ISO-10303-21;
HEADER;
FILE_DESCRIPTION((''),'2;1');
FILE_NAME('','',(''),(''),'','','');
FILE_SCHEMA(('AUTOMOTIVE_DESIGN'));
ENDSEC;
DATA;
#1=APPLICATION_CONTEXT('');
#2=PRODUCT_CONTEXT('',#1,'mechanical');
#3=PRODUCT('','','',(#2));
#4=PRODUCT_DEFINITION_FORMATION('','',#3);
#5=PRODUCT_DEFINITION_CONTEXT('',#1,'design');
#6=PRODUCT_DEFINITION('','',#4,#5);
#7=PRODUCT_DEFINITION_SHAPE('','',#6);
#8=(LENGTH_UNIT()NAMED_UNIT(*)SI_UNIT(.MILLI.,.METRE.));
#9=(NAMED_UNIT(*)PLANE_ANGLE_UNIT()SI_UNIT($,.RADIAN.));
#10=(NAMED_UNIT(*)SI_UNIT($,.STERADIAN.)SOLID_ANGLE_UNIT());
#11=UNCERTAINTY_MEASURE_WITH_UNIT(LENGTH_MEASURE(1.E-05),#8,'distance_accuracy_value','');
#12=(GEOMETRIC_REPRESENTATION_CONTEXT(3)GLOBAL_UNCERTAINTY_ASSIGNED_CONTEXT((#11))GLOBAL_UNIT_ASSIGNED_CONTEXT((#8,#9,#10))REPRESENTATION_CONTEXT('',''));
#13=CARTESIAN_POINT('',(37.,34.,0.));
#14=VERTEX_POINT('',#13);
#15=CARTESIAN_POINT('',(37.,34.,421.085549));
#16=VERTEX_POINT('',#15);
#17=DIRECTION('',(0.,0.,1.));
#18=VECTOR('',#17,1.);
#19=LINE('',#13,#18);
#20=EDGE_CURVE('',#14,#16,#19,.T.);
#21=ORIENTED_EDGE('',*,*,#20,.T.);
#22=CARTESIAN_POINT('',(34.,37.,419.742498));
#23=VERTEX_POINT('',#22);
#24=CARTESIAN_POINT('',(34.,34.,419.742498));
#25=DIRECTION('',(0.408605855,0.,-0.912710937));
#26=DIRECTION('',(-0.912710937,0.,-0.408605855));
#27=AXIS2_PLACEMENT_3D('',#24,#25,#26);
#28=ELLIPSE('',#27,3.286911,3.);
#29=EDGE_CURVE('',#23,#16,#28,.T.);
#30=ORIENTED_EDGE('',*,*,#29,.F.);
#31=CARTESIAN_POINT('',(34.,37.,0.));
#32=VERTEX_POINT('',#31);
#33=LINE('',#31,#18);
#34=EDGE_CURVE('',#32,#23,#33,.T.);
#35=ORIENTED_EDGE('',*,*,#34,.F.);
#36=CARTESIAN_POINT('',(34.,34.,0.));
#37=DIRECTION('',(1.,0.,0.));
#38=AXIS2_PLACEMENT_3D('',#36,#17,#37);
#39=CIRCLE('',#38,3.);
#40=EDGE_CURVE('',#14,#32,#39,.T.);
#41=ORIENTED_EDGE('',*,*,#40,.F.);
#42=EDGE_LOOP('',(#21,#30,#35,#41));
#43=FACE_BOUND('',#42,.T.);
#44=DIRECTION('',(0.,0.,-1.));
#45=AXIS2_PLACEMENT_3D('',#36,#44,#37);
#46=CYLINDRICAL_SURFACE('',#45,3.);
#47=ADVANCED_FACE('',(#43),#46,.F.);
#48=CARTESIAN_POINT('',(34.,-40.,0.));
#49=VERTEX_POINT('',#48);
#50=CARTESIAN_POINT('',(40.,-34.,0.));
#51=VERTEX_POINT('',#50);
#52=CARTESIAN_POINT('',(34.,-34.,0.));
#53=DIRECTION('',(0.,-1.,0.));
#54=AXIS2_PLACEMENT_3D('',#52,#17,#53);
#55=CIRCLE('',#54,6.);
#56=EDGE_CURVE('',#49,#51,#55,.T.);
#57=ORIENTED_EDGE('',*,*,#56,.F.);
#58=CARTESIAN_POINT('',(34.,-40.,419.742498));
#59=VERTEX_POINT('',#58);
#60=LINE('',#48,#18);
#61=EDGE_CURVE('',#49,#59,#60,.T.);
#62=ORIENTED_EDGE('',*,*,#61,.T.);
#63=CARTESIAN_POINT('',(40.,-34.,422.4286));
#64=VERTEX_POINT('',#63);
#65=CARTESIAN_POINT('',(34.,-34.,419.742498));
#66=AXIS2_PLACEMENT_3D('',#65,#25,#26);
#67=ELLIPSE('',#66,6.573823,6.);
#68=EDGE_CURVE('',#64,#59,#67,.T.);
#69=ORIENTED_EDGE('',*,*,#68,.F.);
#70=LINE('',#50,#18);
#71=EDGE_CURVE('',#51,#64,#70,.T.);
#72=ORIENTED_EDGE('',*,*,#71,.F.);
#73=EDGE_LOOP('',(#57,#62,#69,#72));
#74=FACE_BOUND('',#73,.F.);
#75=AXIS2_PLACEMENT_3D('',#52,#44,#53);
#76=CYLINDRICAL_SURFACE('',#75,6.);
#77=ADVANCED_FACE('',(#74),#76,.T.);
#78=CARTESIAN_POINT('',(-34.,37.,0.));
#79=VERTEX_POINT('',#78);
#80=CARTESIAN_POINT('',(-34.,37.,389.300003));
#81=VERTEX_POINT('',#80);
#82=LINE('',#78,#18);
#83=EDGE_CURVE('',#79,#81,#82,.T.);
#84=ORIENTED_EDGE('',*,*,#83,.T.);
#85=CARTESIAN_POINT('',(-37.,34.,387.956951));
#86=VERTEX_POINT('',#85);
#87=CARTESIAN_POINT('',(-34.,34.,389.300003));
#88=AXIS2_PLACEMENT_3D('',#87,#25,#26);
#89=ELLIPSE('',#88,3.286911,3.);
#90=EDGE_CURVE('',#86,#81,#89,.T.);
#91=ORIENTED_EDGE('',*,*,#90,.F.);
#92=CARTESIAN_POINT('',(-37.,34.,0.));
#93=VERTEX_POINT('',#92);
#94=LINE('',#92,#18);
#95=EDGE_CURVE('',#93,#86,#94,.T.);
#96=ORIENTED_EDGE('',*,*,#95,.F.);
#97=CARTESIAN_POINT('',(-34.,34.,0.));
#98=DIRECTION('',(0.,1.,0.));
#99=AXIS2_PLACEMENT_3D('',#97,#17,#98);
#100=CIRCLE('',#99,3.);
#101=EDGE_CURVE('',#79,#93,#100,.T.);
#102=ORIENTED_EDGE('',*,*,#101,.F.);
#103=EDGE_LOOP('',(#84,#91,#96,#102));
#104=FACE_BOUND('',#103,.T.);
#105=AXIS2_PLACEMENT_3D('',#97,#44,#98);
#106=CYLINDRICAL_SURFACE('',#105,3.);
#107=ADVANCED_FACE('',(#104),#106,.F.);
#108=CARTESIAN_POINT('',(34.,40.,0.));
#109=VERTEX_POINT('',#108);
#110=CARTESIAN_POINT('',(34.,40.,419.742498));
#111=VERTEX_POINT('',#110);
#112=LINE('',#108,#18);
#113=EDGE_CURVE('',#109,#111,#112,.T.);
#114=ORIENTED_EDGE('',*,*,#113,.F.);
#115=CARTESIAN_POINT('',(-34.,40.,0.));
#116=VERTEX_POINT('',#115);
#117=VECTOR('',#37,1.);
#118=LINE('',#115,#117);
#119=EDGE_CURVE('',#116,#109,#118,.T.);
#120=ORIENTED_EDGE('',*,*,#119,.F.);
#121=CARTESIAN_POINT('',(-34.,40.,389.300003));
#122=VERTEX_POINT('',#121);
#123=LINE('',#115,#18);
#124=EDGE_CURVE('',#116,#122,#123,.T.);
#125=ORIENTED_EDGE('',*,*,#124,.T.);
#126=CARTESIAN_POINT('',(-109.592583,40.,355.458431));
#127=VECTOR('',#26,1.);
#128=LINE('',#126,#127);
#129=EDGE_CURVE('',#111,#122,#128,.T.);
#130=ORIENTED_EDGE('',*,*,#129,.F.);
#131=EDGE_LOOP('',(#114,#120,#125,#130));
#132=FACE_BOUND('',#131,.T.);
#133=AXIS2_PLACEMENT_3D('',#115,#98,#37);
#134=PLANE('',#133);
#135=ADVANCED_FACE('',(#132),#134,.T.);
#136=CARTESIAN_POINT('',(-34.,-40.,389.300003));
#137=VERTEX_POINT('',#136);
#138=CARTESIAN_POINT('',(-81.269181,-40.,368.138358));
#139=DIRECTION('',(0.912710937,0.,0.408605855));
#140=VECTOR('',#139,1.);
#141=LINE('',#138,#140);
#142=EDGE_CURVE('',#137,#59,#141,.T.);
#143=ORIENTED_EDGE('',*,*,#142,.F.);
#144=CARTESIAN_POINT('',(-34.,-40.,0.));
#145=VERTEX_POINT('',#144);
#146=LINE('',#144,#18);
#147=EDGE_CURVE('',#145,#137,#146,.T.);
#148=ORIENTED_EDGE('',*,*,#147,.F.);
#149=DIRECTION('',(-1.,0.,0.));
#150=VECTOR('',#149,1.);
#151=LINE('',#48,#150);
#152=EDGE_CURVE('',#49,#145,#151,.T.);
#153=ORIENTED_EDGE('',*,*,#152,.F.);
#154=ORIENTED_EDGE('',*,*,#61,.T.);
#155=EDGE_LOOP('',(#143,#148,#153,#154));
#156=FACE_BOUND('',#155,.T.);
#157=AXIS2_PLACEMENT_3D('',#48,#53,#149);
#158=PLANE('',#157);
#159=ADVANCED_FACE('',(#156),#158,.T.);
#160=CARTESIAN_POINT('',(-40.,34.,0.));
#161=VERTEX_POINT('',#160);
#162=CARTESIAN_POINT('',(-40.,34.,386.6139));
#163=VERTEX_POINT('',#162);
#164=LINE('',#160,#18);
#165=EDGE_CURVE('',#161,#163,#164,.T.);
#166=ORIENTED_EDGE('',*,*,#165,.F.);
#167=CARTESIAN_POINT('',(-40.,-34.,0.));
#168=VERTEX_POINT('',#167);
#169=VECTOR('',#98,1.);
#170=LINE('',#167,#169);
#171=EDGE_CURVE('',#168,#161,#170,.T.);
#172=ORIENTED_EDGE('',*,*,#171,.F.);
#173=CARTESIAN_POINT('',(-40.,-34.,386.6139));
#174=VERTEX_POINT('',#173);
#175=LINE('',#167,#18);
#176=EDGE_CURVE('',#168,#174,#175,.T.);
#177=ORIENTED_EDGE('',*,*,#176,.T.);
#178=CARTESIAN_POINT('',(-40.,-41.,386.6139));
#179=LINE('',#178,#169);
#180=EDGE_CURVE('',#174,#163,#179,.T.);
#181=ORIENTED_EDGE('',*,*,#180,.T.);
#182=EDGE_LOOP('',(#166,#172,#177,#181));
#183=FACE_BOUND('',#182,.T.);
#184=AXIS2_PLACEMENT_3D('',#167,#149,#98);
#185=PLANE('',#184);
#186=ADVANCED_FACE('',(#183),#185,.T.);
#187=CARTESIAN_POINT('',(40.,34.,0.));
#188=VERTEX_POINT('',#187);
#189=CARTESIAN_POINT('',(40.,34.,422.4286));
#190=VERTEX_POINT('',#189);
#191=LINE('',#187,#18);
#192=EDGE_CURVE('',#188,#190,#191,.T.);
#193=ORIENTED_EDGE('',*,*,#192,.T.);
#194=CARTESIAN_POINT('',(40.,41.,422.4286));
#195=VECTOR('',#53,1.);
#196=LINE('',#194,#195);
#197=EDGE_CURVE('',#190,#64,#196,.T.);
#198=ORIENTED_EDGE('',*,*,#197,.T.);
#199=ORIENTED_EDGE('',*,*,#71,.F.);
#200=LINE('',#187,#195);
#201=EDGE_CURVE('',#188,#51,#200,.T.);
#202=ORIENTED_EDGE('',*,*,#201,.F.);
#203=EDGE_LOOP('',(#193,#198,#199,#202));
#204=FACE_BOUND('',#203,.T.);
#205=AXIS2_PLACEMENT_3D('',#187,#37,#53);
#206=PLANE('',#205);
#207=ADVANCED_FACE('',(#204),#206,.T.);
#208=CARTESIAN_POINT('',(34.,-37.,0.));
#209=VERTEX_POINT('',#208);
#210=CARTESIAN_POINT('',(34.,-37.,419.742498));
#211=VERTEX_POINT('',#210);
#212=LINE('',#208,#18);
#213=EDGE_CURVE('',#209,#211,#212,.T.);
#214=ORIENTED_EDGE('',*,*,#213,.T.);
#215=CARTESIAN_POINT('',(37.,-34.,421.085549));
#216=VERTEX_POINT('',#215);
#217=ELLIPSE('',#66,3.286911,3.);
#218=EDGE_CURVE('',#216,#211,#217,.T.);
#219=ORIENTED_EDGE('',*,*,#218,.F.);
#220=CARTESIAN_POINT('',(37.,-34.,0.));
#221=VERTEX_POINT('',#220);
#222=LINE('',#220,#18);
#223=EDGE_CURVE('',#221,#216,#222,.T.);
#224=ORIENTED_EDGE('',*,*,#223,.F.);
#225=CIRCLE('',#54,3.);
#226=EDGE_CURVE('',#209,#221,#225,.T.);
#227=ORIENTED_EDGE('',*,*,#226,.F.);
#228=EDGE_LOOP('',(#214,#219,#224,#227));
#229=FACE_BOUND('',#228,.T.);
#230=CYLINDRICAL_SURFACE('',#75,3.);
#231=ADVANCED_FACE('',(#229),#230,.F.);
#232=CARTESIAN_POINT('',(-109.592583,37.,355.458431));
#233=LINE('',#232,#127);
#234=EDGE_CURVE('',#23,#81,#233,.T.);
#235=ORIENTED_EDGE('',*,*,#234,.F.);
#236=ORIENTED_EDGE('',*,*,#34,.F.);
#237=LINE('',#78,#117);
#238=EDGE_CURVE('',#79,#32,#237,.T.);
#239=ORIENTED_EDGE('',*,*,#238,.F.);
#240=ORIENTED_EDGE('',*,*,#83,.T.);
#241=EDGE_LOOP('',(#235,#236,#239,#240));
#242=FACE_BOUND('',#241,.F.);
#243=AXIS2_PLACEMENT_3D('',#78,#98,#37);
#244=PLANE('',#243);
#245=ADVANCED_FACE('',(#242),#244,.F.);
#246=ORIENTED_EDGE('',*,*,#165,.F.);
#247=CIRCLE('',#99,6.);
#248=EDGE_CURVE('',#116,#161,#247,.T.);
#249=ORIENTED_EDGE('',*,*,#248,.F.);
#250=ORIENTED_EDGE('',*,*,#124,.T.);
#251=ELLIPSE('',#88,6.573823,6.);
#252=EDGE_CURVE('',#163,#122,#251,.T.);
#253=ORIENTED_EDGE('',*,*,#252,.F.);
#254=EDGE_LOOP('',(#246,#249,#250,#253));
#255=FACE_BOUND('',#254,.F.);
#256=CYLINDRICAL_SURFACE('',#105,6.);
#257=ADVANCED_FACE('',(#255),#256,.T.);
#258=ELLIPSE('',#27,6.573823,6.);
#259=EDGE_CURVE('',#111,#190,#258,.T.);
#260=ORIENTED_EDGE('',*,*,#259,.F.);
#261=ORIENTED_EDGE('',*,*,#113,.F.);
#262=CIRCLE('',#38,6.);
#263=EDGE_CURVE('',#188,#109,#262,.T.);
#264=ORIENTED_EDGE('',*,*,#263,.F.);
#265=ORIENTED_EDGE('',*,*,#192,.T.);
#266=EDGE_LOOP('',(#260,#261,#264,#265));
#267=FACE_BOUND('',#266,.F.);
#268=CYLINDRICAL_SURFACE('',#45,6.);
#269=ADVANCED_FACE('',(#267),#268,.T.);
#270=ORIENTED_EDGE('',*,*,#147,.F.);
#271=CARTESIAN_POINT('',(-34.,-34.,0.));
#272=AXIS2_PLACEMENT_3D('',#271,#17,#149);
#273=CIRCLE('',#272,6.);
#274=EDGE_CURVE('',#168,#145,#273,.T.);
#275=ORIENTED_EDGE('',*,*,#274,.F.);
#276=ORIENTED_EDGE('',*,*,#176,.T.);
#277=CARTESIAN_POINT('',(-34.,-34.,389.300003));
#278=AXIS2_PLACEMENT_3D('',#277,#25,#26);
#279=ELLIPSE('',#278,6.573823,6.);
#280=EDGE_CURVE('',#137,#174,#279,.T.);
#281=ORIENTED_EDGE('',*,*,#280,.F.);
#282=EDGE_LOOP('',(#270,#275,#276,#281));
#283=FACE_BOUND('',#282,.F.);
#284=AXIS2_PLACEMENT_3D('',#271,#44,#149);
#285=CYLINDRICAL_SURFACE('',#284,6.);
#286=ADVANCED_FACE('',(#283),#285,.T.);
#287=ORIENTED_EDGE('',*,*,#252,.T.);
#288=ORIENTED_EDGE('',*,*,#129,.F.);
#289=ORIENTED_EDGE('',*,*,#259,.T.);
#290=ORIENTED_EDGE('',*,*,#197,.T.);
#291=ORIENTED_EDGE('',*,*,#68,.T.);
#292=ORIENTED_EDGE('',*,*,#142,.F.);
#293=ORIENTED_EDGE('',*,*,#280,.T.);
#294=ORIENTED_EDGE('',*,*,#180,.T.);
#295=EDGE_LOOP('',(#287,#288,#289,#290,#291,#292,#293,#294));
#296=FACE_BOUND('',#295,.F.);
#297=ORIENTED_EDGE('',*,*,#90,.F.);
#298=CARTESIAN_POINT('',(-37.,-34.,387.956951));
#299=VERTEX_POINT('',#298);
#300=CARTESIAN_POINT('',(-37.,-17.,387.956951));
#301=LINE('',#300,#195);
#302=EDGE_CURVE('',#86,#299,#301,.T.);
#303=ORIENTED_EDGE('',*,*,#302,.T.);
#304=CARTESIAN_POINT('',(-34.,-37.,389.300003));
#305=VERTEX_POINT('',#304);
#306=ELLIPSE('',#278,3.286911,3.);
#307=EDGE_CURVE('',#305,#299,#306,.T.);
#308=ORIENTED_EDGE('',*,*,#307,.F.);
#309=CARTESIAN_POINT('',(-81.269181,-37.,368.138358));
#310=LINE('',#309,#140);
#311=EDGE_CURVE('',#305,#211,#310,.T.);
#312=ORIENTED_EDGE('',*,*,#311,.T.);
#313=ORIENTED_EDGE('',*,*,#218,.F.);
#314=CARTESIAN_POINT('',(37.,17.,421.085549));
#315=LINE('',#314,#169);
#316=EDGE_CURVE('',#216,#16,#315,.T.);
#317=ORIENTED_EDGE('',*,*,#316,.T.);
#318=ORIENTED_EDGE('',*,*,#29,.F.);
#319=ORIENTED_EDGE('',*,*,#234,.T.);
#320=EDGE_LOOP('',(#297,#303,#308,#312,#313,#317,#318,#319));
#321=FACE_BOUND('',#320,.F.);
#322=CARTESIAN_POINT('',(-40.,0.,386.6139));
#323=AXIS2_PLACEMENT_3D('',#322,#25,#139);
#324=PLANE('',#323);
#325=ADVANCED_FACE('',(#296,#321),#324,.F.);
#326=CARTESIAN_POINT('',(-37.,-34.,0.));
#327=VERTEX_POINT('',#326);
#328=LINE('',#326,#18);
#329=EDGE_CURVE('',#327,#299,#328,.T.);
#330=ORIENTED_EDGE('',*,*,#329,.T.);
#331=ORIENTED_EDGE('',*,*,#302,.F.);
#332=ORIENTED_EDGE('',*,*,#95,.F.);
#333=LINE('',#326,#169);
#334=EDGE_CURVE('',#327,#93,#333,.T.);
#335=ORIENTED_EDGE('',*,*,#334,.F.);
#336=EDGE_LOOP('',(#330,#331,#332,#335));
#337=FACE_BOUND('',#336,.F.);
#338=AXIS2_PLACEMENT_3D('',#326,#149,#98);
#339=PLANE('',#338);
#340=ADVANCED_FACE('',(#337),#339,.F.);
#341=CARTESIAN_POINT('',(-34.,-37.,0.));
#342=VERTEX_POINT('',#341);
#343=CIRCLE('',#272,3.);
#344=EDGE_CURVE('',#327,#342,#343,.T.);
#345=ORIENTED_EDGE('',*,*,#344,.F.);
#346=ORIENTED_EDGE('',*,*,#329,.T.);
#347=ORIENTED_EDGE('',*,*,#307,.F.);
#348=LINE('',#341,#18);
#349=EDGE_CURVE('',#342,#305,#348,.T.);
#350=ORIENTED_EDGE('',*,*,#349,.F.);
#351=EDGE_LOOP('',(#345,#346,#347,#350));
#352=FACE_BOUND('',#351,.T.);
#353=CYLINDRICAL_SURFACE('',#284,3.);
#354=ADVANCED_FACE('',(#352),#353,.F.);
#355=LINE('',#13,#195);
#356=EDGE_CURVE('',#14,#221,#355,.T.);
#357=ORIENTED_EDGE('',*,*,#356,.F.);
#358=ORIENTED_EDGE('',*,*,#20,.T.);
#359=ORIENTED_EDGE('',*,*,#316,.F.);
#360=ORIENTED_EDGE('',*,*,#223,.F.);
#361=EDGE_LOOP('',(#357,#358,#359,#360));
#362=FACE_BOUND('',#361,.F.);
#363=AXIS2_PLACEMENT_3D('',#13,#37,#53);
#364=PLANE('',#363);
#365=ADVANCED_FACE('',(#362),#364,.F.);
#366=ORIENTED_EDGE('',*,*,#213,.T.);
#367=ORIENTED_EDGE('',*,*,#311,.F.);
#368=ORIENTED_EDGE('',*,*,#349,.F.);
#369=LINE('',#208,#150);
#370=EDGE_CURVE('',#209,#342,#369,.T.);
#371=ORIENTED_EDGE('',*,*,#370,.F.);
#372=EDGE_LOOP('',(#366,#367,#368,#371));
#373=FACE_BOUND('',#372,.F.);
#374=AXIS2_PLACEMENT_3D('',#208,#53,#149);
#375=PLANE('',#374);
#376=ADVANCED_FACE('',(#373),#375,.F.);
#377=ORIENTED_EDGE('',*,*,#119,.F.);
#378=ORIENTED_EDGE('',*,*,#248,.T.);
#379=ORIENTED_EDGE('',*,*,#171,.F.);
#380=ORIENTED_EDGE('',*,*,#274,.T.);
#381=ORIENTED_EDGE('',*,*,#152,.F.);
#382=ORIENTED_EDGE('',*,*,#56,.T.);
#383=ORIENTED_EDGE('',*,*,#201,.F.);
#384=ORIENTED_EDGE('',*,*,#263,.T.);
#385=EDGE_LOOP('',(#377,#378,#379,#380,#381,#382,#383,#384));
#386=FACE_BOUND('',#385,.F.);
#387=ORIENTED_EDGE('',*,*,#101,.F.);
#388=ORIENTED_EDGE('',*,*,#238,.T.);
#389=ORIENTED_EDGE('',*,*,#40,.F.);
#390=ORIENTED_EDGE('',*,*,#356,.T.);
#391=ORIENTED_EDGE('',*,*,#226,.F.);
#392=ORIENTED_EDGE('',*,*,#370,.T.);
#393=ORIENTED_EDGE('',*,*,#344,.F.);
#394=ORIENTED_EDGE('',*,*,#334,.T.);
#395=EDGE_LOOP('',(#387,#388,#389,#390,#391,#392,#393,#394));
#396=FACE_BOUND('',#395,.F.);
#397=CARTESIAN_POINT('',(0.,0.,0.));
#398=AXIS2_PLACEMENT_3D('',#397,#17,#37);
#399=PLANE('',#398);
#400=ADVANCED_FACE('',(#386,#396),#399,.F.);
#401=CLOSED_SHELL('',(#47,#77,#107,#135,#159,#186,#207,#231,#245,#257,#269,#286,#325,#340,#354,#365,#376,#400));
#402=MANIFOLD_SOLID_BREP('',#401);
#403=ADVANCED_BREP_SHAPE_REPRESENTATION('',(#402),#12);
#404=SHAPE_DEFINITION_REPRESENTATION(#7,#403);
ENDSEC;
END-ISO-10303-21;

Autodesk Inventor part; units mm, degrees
ref_plane "YZ Plane" through (0, 0, 0) normal (1, 0, 0) x (0, 1, 0)
ref_plane "Start plane" through (0, 0, 0) normal (0, 0, 1) x (1, 0, 0)
ref_plane "End plane" through (0, 0, 1000) normal (0, 0, 1) x (1, 0, 0)
sketch "Sketch" plane through (0, 0, 0) normal (0, 0, 1) x (1, 0, 0)
  line L0 (-40, -34) -> (-40, 34)
  line L1 (-34, 40) -> (34, 40)
  line L2 (40, 34) -> (40, -34)
  line L3 (34, -40) -> (-34, -40)
  arc A0 (-40, -34) -> (-34, -40) centre (-34, -34) ccw
  arc A1 (40, 34) -> (34, 40) centre (34, 34) ccw
  arc A2 (-34, 40) -> (-40, 34) centre (-34, 34) ccw
  arc A3 (34, -40) -> (40, -34) centre (34, -34) ccw
  arc A4 (-34, 37) -> (-37, 34) centre (-34, 34) ccw
  line L4 (-34, 37) -> (34, 37)
  arc A5 (37, 34) -> (34, 37) centre (34, 34) ccw
  line L5 (37, 34) -> (37, -34)
  arc A6 (34, -37) -> (37, -34) centre (34, -34) ccw
  line L6 (34, -37) -> (-34, -37)
  arc A7 (-37, -34) -> (-34, -37) centre (-34, -34) ccw
  line L7 (-37, -34) -> (-37, 34)
  line L8 (0, 44.3196) -> (0, -44.3196) construction
  line L9 (-1340.2663, 0) -> (380.2663, 0) construction
  dimension "d7" = 6
  dimension "d9" = 80
  dimension "d11" = 80
  dimension "d12" = 3
  dimension "d15" = 40
  dimension "d16" = 40
extrude "Body" add sketch "Sketch" along normal up to surface (1000 mm away) from surface at 0
sketch "Sketch3" plane through (0, 0, 0) normal (0, 0, 1) x (1, 0, 0)
  line L0 (0, 0) -> (10, 0)
ref_plane "Work Plane3" through (0, 0, 0) normal (0, -1, 0) x (1, 0, 0)
sketch "Sketch5" plane through (0, 0, 0) normal (0, 1, 0) x (-1, 0, 0)
  line L0 (-40, 0) -> (-40, 1000) projected
  line L1 (40, 0) -> (40, 1000) projected
  line L2 (40, 0) -> (40, 1000) projected
  line L3 (40, 397.5702) -> (490, 397.5702) construction
  line L4 (-47.0166, 436.8676) -> (1027.0166, 436.8676) construction
  arc A0 (-47.0166, 436.8676) -> (490, 310) centre (490, 1510) ccw construction
  line L5 (-110, 538.8152) -> (1090, 538.8152) construction
  arc A1 (-110, 538.8152) -> (-47.0166, 436.8676) centre (4, 538.8152) ccw construction
  arc A2 (1027.0166, 436.8676) -> (1090, 538.8152) centre (976, 538.8152) ccw
  line L6 (-110, 538.8152) -> (-110, 578.8152)
  line L7 (1090, 538.8152) -> (1090, 578.8152)
  line L8 (-110, 578.8152) -> (490, 578.8152) construction
  line L9 (490, 578.8152) -> (490, 0)
  arc A3 (490, 310) -> (1027.0166, 436.8676) centre (490, 1510) ccw
  line L10 (490, 578.8152) -> (1090, 578.8152)
  point P0 (0, 0)
  dimension "d22" = 450
  dimension "d24" = 1200
  dimension "d25" = 114
  dimension "d26" = 40
  dimension "d27" = 1200
  dimension "d28" = 310
  dimension "d30" = 397.5702
sketch "Sketch6" plane through (0, 0, 0) normal (0, 1, 0) x (-1, 0, 0)
  line L0 (40, 0) -> (40, 1000) projected
  line L1 (40, 0) -> (40, 1000) projected
  line L2 (-40, 0) -> (-40, 1000) projected
  line L3 (-40, 0) -> (-40, 1000) projected
  line L4 (34, 1000) -> (40, 1000) projected
  line L5 (40, 1000) -> (-40, 1000)
  line L6 (-40, 433.3849) -> (40, 397.5702)
  arc A0 (-47.0166, 436.8676) -> (490, 310) centre (490, 1510) ccw construction
  line L7 (40, 386.6139) -> (-40, 422.4286)
  point P0 (0, 0)
  point P1 (40, 386.6139)
  dimension "d33" = 10
extrude "Extrusion2" cut sketch "Sketch6" along normal through all both and the other way through all
sketch "Sketch4" plane through (0, 0, 0) normal (0, -1, 0) x (1, 0, 0)
  line L0 (-1340.2663, 0) -> (380.2663, 0) projected
  line L1 (-1340.2663, 1000) -> (380.2663, 1000) projected
  dimension "d18" = 1000
equation "\"d7\" = G_IR"
equation "\"d9\" = G_W"
equation "\"d11\" = G_H"
equation "\"d12\" = G_T"
equation "\"d15\" = 0.5 * d9"
equation "\"d16\" = 0.5 * d11"
equation "\"d3\" = G_L"
equation "\"d24\" = d27"
equation "\"d25\" = 0.095 * d27"
equation "\"G_W\" = 80"
equation "\"G_H\" = 80"
equation "\"G_T\" = 3"
equation "\"G_IR\" = 6"
equation "\"G_L\" = d18"
equation "\"G_OFFSET_START\" = 0"
equation "\"G_OFFSET_END\" = 0"
properties part number "PNS 1781 Leg tube" material "Steel, Mild"
